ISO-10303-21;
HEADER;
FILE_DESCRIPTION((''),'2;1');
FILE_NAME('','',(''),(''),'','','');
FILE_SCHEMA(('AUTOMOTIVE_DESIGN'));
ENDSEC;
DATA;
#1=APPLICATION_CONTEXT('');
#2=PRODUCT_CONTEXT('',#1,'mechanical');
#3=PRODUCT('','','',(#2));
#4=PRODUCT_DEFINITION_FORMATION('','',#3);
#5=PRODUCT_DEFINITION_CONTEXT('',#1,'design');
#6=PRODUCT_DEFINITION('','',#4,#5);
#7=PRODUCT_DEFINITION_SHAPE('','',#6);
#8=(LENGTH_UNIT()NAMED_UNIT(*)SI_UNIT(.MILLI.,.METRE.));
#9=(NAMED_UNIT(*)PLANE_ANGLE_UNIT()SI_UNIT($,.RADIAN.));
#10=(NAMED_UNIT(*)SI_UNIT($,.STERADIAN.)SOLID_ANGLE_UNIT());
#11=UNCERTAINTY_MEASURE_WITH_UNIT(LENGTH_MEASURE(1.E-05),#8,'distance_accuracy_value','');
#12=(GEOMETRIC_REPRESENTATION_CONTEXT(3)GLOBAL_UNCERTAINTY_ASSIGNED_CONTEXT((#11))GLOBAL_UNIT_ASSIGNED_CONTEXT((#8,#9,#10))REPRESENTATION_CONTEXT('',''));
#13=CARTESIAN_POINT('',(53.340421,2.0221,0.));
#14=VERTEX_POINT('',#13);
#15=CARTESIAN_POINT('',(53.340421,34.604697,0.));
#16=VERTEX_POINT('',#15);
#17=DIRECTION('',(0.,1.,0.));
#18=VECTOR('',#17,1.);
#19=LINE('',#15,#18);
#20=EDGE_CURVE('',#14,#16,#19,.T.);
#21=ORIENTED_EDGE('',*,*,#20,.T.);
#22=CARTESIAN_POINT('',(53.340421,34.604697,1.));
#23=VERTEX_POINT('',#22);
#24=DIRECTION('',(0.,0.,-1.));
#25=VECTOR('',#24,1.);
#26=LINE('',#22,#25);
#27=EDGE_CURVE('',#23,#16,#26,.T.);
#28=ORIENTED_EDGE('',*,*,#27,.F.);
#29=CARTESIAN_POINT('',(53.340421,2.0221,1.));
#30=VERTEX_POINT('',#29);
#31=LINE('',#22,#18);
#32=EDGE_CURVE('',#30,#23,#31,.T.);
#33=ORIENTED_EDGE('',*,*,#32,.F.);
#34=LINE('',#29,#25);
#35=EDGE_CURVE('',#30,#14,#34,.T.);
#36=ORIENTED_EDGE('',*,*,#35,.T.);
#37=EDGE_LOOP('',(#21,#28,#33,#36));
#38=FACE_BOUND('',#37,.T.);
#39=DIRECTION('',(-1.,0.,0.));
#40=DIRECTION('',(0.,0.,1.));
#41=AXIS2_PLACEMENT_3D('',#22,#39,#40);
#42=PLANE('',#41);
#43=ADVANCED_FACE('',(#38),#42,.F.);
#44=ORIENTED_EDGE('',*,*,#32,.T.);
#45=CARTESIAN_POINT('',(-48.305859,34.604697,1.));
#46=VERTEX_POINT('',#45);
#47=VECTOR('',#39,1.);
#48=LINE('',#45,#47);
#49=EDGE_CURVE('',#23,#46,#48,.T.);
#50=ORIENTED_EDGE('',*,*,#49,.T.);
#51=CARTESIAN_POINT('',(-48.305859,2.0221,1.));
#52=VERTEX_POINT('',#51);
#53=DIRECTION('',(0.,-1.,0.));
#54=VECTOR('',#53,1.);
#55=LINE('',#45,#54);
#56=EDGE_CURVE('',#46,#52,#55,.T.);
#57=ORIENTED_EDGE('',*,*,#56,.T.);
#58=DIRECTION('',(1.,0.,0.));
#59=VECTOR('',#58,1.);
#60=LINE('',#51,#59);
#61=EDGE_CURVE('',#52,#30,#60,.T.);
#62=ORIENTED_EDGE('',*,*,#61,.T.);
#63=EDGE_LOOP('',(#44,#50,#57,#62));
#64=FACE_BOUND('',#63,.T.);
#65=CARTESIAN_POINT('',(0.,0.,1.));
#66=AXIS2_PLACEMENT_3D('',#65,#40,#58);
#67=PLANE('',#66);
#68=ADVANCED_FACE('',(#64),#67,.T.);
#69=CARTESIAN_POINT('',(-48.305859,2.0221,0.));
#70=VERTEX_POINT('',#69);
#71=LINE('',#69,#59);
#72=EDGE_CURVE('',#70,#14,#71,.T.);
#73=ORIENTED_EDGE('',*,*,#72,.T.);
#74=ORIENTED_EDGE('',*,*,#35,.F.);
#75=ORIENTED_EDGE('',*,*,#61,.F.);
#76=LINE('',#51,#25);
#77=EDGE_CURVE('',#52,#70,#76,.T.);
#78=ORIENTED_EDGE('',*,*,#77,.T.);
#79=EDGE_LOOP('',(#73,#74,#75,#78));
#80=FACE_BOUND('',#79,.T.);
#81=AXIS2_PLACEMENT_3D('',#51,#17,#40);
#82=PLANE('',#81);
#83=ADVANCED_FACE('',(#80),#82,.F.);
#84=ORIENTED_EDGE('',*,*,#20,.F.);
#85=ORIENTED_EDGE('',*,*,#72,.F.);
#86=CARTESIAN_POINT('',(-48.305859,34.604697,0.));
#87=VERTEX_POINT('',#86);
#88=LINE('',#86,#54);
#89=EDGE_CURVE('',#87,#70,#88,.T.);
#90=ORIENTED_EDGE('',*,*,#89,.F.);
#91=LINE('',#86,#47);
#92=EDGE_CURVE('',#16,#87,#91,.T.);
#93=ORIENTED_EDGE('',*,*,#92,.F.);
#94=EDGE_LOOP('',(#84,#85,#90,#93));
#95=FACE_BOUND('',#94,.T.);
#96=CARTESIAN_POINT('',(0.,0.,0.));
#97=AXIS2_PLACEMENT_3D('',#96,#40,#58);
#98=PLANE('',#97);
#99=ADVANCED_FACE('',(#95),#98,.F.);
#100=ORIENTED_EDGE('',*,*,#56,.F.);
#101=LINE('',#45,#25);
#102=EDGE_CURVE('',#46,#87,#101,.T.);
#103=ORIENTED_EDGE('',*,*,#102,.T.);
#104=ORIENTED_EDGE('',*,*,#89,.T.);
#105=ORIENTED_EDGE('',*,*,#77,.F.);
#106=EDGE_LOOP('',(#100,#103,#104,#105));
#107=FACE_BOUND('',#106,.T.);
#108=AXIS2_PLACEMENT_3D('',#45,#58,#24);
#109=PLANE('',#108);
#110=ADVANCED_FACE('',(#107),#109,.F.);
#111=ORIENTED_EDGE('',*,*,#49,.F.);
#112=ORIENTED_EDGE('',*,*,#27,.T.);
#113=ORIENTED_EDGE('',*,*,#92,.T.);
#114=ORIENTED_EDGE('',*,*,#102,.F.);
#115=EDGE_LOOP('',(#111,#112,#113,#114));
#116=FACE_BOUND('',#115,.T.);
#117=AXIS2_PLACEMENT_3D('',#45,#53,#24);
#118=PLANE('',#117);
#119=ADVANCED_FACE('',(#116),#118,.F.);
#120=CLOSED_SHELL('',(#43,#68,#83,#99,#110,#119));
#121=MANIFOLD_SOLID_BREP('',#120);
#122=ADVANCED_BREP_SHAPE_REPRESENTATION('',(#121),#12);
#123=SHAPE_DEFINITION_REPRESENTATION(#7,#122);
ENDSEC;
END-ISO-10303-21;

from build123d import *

# Parameters (mm, degrees)
SKETCH_1_W      = 101.646279882
SKETCH_1_H      = 32.582597219
EXTRUDE_1_DEPTH = 1


with BuildPart() as part:
    # 草图1 → 凸台-拉伸1 (new body)
    with BuildSketch(Plane.XY):
        with Locations((2.517280771, 18.313398611)):
            Rectangle(SKETCH_1_W, SKETCH_1_H)
    extrude(amount=EXTRUDE_1_DEPTH)


solid = part.part
